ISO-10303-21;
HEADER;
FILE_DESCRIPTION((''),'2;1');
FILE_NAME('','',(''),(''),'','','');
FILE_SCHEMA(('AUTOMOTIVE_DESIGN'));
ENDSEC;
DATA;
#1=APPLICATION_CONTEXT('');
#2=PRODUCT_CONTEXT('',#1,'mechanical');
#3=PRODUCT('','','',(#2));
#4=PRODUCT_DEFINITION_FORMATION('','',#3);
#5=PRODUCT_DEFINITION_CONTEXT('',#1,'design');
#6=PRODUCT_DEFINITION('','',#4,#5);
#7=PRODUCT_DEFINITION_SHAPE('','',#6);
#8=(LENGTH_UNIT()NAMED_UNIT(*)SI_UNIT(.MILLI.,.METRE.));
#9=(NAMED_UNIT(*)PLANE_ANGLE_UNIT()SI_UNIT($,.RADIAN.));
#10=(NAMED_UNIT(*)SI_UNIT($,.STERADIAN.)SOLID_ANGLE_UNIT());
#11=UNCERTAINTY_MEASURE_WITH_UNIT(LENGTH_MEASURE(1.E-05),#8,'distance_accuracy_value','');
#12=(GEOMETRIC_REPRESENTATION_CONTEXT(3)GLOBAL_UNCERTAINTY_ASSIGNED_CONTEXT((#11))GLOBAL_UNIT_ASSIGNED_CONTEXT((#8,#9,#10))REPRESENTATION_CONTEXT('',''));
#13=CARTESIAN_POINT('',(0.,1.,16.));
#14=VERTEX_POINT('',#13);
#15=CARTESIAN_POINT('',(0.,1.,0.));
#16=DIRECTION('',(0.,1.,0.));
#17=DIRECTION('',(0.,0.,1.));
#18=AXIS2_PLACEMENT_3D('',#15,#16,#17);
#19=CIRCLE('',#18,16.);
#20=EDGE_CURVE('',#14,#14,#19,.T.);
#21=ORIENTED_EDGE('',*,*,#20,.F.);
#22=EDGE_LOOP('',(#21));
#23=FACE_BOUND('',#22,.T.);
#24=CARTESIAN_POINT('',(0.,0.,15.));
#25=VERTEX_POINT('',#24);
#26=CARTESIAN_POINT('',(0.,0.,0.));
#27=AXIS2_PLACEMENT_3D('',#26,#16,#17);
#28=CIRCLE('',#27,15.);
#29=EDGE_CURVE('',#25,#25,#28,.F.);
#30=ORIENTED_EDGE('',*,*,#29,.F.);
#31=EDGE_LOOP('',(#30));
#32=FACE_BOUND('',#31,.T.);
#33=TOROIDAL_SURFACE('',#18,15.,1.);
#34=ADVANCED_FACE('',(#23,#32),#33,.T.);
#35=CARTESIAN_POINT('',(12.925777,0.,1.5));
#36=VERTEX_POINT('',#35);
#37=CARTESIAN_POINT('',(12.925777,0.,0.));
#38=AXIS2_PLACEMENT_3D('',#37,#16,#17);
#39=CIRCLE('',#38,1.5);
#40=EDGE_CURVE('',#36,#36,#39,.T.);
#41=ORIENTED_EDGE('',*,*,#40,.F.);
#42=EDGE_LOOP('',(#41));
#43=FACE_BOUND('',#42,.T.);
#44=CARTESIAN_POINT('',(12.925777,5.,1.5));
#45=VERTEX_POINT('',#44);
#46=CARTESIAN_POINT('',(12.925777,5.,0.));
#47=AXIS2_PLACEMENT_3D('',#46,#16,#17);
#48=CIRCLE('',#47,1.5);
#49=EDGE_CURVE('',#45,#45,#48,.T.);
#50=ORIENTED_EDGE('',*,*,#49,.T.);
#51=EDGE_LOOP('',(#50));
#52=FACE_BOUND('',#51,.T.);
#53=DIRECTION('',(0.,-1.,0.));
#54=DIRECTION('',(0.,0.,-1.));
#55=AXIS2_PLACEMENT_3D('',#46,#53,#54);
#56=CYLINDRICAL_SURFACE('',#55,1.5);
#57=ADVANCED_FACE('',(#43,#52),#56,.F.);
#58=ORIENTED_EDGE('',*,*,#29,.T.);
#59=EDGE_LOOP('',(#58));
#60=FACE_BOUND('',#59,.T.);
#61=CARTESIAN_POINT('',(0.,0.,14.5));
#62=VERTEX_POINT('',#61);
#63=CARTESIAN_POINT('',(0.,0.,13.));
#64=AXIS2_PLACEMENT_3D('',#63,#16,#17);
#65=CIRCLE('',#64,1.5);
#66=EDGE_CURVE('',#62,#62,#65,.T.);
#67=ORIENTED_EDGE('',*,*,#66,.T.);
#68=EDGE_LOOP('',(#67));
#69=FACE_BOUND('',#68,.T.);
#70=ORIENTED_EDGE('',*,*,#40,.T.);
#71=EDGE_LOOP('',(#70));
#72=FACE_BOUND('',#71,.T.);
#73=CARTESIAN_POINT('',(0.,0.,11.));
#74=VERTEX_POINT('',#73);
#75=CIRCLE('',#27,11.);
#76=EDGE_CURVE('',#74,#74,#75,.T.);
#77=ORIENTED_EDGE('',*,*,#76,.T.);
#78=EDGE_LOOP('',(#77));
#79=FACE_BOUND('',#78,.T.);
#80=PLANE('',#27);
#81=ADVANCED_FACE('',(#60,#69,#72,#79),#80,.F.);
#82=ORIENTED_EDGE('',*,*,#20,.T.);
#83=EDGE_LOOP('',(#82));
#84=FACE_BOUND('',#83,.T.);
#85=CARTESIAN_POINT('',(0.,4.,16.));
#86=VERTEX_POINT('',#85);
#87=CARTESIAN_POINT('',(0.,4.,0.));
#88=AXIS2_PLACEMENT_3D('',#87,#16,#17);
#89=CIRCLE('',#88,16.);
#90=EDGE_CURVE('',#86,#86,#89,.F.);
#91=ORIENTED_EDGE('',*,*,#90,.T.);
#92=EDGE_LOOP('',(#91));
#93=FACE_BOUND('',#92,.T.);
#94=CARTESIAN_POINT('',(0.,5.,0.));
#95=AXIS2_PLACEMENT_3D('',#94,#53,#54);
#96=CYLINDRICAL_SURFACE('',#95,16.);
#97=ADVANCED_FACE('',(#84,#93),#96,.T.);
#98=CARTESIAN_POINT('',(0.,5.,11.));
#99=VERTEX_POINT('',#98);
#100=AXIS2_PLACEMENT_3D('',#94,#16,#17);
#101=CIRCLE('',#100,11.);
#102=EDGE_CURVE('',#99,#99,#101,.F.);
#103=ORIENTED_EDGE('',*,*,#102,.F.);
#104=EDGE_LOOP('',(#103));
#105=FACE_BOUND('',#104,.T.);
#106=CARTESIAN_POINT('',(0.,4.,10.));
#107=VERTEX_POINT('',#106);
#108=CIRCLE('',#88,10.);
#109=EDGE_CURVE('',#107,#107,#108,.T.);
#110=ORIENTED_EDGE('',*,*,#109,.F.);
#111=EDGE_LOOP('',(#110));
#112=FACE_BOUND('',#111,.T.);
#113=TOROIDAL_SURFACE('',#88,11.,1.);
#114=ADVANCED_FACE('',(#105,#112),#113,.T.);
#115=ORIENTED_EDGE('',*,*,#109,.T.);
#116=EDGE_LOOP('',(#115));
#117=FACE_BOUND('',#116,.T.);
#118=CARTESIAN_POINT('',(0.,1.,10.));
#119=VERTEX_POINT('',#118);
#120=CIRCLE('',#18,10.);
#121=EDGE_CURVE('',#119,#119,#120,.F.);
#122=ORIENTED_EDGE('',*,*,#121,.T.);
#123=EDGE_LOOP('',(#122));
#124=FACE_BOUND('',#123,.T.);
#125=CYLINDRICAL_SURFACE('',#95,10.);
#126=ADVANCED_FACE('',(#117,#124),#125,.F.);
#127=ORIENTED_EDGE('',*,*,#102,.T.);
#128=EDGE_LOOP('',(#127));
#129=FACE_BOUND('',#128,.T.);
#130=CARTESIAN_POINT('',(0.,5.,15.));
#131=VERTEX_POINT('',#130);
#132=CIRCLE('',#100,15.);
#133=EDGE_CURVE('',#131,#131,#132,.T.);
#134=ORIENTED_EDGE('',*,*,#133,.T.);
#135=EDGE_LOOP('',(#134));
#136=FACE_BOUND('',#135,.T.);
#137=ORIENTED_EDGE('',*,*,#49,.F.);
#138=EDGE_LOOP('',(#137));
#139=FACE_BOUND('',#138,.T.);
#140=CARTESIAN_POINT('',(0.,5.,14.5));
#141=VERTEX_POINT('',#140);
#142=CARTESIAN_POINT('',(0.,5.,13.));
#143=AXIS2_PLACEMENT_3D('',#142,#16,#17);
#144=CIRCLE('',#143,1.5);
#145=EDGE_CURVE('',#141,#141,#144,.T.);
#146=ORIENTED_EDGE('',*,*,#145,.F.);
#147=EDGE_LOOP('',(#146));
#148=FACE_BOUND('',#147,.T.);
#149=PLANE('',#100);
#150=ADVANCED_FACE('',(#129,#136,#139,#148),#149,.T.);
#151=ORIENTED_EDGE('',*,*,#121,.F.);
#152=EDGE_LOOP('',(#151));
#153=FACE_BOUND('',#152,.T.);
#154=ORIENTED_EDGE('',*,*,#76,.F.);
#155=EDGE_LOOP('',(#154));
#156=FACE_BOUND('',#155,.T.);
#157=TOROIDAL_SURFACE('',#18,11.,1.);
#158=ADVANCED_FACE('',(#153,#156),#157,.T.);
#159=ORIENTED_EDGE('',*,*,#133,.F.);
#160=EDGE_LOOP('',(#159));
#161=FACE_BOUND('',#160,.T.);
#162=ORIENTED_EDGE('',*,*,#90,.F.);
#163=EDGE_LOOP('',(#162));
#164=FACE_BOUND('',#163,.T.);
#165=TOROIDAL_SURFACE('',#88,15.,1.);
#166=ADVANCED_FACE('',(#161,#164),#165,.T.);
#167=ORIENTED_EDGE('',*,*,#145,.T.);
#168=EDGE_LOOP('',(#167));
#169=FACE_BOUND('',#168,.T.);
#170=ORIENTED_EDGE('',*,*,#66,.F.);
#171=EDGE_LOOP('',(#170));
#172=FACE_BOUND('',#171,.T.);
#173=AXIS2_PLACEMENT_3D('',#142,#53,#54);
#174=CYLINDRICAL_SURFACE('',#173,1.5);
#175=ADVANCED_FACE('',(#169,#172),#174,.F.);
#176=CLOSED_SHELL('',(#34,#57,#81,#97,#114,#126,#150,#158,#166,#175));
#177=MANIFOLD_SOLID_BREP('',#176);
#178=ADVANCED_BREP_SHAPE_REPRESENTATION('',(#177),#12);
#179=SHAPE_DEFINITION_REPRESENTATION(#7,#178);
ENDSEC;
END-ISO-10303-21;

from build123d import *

# Parameters (mm, degrees)
SKETCH1_R           = 16
SKETCH1_R_2         = 10
SKETCH1_R_3         = 1.5
BOSS_EXTRUDE1_DEPTH = 5
FILLET1_R           = 1


with BuildPart() as part:
    # Sketch1 → Boss-Extrude1 (new body)
    with BuildSketch(Plane(origin=(0, 0, 0), x_dir=(1, 0, 0), z_dir=(0, 1, 0))):
        with Locations(Location((0, 0, 0), (0, 0, 270))):
            Circle(SKETCH1_R)
        with Locations(Location((0, 0, 0), (0, 0, 270))):
            Circle(SKETCH1_R_2, mode=Mode.SUBTRACT)
        with Locations(Location((0, -13, 0), (0, 0, 270))):
            Circle(SKETCH1_R_3, mode=Mode.SUBTRACT)
        with Locations(Location((12.925776556, 0, 0), (0, 0, 270))):
            Circle(SKETCH1_R_3, mode=Mode.SUBTRACT)
    extrude(amount=BOSS_EXTRUDE1_DEPTH)

    # Fillet1
    fillet1_edges = [part.edges().sort_by_distance(p)[0] for p in [
        (0, 0, -16),
        (0, 5, -16),
        (0, 0, -10),
        (0, 5, -10),
    ]]
    fillet(fillet1_edges, radius=FILLET1_R)


solid = part.part
